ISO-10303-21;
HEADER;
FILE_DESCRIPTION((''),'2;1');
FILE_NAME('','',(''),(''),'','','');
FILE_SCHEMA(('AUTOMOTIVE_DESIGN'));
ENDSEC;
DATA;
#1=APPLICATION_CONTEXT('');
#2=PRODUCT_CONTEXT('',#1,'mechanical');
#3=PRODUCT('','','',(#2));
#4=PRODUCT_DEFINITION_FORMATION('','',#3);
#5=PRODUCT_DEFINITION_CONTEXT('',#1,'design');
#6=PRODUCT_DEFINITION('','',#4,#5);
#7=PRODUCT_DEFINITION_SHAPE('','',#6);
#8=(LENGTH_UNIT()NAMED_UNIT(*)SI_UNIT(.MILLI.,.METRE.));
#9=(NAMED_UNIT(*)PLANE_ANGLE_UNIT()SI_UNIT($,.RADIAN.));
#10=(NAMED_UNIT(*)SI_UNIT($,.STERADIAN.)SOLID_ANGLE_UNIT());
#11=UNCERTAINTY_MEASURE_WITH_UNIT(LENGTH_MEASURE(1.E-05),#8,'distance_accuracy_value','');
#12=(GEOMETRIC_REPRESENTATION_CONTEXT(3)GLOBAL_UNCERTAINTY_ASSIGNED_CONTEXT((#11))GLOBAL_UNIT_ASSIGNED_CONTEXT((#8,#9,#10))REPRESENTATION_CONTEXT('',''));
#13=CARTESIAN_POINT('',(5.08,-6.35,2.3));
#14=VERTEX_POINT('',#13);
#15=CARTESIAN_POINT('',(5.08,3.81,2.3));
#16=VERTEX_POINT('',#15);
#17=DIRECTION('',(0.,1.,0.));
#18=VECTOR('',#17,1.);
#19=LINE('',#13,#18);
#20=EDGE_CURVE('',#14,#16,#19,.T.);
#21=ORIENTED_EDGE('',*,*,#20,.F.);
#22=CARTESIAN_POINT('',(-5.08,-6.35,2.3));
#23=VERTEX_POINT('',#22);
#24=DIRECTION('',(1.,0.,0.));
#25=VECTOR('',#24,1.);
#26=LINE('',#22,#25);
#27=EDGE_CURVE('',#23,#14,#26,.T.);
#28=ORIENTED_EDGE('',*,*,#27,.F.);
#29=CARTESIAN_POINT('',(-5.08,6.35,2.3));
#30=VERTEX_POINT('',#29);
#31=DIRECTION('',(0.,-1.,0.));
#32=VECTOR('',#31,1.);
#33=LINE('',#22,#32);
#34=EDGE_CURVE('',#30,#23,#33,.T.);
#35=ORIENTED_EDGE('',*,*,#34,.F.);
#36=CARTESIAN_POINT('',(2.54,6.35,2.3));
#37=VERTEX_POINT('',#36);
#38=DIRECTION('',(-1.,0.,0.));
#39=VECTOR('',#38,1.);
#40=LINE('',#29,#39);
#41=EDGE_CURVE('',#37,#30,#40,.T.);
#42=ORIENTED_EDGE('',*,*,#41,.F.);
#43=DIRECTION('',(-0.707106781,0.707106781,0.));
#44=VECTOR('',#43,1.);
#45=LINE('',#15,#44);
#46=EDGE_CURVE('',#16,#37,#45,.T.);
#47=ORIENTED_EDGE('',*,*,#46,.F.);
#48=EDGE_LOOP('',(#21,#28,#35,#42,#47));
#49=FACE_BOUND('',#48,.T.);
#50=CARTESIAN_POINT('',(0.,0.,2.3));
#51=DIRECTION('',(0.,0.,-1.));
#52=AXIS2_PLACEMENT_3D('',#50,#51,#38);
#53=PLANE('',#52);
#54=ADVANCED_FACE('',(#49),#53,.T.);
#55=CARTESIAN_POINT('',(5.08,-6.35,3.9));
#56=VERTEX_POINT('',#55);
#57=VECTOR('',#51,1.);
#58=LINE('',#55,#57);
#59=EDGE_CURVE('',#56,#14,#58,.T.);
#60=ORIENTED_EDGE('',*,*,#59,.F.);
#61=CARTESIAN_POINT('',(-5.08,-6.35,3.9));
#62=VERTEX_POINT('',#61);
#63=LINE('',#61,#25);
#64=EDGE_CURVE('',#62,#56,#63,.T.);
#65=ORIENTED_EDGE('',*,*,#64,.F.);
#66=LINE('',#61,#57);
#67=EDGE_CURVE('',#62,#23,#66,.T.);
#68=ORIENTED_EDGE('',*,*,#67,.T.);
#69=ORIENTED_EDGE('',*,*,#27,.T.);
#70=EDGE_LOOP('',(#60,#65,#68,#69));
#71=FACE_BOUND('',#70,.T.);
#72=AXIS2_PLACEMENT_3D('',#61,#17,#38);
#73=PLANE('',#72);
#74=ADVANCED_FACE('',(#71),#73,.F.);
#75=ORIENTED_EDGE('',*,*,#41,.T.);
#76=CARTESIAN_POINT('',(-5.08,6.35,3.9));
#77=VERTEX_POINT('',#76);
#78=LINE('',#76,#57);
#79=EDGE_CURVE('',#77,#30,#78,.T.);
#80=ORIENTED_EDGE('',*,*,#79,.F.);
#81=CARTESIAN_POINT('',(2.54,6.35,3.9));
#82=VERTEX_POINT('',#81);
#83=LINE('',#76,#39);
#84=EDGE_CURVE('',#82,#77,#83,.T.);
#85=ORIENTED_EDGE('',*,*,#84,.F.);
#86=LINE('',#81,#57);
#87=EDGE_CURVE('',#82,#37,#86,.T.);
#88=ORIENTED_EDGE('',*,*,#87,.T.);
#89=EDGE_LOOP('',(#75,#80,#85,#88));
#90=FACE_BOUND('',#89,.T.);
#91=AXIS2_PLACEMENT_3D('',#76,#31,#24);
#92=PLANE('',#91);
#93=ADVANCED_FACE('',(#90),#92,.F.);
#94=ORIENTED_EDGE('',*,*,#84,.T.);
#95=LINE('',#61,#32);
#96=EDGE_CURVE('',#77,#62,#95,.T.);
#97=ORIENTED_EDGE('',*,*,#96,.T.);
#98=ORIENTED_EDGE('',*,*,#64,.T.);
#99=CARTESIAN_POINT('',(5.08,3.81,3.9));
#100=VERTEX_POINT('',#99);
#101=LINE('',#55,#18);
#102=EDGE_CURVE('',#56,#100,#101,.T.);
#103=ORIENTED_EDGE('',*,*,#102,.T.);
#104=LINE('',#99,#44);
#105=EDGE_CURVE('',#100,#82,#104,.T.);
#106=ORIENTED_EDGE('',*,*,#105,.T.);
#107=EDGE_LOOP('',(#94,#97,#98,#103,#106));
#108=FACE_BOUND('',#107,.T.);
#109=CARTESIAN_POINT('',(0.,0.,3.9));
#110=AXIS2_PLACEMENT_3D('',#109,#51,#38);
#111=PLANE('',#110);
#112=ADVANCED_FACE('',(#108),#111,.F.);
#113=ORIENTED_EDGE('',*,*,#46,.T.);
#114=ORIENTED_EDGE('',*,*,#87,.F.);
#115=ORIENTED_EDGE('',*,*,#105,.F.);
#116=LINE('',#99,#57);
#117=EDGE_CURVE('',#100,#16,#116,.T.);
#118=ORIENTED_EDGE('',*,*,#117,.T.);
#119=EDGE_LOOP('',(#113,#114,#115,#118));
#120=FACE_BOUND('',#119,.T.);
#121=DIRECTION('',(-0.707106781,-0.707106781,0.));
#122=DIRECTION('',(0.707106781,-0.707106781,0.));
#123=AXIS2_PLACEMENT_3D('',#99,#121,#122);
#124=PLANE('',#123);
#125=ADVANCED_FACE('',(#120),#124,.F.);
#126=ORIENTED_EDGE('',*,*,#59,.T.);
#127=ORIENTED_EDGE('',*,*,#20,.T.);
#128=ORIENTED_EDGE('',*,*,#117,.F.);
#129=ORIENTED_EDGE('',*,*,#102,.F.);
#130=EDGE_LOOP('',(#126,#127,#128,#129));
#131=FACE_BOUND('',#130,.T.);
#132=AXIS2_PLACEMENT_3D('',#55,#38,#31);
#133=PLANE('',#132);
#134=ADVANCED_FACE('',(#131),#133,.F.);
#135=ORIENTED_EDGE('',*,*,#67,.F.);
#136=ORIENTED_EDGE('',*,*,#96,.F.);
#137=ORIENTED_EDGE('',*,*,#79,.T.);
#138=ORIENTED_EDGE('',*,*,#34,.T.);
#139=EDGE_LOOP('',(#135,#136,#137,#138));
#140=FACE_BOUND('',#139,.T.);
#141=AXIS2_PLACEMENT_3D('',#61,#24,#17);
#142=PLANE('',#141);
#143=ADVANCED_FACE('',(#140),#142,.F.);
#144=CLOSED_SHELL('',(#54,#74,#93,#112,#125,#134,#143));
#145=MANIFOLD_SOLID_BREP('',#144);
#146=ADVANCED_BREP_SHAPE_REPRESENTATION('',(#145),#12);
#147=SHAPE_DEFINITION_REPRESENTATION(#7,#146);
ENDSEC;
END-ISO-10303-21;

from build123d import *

# Parameters (mm, degrees)
BOSS_EXTRUDE1_DEPTH = 1.6


with BuildPart() as part:
    # Sketch2 → Boss-Extrude1 (new body)
    with BuildSketch(Plane.XY.offset(2.3)):
        Polygon((-5.08, -6.35), (5.08, -6.35), (5.08, 3.81), (2.54, 6.35), (-5.08, 6.35), align=None)
    extrude(amount=BOSS_EXTRUDE1_DEPTH)


solid = part.part
